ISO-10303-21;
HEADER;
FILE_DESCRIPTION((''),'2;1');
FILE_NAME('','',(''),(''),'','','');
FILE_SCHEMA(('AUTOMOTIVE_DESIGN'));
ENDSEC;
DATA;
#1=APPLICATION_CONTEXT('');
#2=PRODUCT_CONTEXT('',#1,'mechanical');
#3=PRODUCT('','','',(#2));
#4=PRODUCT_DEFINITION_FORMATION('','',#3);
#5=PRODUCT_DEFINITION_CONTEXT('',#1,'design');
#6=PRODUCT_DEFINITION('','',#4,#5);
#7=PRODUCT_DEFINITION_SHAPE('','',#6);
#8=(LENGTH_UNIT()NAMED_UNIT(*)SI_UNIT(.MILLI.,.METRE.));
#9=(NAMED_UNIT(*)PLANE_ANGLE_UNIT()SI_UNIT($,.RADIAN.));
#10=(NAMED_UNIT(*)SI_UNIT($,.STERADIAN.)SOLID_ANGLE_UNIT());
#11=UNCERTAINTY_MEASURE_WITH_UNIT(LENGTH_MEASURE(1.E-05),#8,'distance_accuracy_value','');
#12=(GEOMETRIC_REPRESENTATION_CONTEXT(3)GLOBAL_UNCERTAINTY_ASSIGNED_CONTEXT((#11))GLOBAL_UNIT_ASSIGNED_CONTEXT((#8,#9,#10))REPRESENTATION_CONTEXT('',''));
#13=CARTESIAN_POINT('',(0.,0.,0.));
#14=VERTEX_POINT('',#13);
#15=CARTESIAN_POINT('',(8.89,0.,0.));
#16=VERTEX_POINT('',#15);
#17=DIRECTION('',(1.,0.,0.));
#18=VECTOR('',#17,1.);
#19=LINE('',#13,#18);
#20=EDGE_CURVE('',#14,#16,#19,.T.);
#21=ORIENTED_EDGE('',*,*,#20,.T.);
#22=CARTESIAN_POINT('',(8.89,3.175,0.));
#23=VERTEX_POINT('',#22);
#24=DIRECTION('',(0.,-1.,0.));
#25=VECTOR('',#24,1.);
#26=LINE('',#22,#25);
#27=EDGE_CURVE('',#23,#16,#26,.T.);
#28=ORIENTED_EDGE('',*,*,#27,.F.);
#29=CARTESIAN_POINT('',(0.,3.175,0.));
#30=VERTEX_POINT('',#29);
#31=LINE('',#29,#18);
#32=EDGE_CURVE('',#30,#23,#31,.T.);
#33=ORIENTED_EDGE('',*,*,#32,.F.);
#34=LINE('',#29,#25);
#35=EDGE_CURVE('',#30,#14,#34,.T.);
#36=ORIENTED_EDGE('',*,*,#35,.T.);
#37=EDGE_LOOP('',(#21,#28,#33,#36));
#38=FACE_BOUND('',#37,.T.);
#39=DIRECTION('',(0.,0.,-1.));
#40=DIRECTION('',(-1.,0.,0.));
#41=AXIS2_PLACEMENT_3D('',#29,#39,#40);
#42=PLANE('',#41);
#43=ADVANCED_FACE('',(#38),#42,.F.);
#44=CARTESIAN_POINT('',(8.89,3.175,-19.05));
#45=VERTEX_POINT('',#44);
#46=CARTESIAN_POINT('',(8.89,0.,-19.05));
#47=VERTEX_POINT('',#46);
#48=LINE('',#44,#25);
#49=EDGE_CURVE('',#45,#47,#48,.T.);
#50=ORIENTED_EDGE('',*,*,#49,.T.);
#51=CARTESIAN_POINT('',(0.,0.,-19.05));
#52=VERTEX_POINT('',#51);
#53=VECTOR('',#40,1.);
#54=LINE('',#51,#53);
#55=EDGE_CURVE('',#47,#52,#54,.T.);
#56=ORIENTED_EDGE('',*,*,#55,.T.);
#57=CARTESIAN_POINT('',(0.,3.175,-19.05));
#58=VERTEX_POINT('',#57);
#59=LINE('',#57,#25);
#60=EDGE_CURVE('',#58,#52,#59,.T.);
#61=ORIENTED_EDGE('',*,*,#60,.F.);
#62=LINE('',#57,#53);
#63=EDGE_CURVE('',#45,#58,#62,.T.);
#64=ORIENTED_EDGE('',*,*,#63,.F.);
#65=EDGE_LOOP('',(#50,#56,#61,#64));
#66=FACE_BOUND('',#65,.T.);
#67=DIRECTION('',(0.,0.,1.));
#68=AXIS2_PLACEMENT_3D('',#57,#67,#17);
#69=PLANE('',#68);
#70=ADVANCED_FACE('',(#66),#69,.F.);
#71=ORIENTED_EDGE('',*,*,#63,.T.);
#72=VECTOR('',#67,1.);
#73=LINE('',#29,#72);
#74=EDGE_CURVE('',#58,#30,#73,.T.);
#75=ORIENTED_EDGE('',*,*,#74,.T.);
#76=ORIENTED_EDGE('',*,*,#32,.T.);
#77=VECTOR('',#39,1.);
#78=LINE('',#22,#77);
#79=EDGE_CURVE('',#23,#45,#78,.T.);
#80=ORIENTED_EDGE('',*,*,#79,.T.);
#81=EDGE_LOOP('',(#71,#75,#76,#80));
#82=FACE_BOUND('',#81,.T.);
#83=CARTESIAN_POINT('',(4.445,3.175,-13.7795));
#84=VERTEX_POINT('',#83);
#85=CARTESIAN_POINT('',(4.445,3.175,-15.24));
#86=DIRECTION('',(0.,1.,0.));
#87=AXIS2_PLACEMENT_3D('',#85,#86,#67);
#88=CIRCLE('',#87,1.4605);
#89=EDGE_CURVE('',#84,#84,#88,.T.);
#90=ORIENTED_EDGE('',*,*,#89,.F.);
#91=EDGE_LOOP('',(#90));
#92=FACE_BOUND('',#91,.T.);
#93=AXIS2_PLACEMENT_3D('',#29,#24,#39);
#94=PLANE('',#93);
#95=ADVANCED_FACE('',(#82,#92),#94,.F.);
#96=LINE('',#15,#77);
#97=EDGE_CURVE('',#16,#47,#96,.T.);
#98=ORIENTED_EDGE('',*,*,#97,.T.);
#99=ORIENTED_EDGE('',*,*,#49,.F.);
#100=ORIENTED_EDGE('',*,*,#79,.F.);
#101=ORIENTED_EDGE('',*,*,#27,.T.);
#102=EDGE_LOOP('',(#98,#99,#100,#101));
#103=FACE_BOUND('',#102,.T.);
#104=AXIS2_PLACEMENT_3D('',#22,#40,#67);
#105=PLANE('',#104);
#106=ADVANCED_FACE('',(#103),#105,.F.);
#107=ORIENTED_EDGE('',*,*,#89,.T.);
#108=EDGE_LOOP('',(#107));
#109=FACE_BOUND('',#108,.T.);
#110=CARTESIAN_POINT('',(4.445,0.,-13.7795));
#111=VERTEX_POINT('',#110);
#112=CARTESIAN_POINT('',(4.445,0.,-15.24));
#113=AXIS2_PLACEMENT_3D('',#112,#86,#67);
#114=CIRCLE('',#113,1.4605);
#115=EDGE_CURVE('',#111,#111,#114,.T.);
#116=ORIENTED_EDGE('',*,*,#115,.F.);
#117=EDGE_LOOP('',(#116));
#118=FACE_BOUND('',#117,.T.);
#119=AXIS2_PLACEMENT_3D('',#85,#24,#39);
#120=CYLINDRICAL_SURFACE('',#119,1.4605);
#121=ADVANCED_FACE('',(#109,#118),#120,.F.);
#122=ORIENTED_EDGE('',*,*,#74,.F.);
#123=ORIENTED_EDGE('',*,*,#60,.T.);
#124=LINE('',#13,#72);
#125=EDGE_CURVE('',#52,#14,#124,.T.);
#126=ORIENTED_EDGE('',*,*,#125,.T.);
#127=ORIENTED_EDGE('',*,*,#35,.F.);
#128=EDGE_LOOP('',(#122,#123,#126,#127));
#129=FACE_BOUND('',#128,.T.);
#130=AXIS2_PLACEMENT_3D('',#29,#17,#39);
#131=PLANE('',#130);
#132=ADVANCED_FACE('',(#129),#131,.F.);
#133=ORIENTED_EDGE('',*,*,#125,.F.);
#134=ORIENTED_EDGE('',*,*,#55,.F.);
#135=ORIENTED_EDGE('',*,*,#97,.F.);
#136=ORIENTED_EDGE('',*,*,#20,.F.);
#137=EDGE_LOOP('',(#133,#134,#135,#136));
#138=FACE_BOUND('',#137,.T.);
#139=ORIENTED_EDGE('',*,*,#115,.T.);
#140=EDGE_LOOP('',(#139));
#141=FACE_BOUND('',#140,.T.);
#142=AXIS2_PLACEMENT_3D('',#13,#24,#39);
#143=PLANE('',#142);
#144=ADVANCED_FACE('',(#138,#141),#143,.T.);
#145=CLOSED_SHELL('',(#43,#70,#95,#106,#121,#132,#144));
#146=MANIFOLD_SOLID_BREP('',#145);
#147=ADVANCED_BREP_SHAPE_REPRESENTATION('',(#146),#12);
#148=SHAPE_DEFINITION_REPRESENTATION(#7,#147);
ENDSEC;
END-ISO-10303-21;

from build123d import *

# Parameters (mm, degrees)
SKETCH1_W           = 8.89
SKETCH1_H           = 19.05
SKETCH1_R           = 1.4605
BOSS_EXTRUDE1_DEPTH = 3.175


with BuildPart() as part:
    # Sketch1 → Boss-Extrude1 (new body)
    with BuildSketch(Plane(origin=(0, 0, 0), x_dir=(1, 0, 0), z_dir=(0, 1, 0))):
        with Locations((4.445, 9.525)):
            Rectangle(SKETCH1_W, SKETCH1_H)
        with Locations(Location((4.445, 15.24, 0), (0, 0, 270))):
            Circle(SKETCH1_R, mode=Mode.SUBTRACT)
    extrude(amount=BOSS_EXTRUDE1_DEPTH)


solid = part.part
